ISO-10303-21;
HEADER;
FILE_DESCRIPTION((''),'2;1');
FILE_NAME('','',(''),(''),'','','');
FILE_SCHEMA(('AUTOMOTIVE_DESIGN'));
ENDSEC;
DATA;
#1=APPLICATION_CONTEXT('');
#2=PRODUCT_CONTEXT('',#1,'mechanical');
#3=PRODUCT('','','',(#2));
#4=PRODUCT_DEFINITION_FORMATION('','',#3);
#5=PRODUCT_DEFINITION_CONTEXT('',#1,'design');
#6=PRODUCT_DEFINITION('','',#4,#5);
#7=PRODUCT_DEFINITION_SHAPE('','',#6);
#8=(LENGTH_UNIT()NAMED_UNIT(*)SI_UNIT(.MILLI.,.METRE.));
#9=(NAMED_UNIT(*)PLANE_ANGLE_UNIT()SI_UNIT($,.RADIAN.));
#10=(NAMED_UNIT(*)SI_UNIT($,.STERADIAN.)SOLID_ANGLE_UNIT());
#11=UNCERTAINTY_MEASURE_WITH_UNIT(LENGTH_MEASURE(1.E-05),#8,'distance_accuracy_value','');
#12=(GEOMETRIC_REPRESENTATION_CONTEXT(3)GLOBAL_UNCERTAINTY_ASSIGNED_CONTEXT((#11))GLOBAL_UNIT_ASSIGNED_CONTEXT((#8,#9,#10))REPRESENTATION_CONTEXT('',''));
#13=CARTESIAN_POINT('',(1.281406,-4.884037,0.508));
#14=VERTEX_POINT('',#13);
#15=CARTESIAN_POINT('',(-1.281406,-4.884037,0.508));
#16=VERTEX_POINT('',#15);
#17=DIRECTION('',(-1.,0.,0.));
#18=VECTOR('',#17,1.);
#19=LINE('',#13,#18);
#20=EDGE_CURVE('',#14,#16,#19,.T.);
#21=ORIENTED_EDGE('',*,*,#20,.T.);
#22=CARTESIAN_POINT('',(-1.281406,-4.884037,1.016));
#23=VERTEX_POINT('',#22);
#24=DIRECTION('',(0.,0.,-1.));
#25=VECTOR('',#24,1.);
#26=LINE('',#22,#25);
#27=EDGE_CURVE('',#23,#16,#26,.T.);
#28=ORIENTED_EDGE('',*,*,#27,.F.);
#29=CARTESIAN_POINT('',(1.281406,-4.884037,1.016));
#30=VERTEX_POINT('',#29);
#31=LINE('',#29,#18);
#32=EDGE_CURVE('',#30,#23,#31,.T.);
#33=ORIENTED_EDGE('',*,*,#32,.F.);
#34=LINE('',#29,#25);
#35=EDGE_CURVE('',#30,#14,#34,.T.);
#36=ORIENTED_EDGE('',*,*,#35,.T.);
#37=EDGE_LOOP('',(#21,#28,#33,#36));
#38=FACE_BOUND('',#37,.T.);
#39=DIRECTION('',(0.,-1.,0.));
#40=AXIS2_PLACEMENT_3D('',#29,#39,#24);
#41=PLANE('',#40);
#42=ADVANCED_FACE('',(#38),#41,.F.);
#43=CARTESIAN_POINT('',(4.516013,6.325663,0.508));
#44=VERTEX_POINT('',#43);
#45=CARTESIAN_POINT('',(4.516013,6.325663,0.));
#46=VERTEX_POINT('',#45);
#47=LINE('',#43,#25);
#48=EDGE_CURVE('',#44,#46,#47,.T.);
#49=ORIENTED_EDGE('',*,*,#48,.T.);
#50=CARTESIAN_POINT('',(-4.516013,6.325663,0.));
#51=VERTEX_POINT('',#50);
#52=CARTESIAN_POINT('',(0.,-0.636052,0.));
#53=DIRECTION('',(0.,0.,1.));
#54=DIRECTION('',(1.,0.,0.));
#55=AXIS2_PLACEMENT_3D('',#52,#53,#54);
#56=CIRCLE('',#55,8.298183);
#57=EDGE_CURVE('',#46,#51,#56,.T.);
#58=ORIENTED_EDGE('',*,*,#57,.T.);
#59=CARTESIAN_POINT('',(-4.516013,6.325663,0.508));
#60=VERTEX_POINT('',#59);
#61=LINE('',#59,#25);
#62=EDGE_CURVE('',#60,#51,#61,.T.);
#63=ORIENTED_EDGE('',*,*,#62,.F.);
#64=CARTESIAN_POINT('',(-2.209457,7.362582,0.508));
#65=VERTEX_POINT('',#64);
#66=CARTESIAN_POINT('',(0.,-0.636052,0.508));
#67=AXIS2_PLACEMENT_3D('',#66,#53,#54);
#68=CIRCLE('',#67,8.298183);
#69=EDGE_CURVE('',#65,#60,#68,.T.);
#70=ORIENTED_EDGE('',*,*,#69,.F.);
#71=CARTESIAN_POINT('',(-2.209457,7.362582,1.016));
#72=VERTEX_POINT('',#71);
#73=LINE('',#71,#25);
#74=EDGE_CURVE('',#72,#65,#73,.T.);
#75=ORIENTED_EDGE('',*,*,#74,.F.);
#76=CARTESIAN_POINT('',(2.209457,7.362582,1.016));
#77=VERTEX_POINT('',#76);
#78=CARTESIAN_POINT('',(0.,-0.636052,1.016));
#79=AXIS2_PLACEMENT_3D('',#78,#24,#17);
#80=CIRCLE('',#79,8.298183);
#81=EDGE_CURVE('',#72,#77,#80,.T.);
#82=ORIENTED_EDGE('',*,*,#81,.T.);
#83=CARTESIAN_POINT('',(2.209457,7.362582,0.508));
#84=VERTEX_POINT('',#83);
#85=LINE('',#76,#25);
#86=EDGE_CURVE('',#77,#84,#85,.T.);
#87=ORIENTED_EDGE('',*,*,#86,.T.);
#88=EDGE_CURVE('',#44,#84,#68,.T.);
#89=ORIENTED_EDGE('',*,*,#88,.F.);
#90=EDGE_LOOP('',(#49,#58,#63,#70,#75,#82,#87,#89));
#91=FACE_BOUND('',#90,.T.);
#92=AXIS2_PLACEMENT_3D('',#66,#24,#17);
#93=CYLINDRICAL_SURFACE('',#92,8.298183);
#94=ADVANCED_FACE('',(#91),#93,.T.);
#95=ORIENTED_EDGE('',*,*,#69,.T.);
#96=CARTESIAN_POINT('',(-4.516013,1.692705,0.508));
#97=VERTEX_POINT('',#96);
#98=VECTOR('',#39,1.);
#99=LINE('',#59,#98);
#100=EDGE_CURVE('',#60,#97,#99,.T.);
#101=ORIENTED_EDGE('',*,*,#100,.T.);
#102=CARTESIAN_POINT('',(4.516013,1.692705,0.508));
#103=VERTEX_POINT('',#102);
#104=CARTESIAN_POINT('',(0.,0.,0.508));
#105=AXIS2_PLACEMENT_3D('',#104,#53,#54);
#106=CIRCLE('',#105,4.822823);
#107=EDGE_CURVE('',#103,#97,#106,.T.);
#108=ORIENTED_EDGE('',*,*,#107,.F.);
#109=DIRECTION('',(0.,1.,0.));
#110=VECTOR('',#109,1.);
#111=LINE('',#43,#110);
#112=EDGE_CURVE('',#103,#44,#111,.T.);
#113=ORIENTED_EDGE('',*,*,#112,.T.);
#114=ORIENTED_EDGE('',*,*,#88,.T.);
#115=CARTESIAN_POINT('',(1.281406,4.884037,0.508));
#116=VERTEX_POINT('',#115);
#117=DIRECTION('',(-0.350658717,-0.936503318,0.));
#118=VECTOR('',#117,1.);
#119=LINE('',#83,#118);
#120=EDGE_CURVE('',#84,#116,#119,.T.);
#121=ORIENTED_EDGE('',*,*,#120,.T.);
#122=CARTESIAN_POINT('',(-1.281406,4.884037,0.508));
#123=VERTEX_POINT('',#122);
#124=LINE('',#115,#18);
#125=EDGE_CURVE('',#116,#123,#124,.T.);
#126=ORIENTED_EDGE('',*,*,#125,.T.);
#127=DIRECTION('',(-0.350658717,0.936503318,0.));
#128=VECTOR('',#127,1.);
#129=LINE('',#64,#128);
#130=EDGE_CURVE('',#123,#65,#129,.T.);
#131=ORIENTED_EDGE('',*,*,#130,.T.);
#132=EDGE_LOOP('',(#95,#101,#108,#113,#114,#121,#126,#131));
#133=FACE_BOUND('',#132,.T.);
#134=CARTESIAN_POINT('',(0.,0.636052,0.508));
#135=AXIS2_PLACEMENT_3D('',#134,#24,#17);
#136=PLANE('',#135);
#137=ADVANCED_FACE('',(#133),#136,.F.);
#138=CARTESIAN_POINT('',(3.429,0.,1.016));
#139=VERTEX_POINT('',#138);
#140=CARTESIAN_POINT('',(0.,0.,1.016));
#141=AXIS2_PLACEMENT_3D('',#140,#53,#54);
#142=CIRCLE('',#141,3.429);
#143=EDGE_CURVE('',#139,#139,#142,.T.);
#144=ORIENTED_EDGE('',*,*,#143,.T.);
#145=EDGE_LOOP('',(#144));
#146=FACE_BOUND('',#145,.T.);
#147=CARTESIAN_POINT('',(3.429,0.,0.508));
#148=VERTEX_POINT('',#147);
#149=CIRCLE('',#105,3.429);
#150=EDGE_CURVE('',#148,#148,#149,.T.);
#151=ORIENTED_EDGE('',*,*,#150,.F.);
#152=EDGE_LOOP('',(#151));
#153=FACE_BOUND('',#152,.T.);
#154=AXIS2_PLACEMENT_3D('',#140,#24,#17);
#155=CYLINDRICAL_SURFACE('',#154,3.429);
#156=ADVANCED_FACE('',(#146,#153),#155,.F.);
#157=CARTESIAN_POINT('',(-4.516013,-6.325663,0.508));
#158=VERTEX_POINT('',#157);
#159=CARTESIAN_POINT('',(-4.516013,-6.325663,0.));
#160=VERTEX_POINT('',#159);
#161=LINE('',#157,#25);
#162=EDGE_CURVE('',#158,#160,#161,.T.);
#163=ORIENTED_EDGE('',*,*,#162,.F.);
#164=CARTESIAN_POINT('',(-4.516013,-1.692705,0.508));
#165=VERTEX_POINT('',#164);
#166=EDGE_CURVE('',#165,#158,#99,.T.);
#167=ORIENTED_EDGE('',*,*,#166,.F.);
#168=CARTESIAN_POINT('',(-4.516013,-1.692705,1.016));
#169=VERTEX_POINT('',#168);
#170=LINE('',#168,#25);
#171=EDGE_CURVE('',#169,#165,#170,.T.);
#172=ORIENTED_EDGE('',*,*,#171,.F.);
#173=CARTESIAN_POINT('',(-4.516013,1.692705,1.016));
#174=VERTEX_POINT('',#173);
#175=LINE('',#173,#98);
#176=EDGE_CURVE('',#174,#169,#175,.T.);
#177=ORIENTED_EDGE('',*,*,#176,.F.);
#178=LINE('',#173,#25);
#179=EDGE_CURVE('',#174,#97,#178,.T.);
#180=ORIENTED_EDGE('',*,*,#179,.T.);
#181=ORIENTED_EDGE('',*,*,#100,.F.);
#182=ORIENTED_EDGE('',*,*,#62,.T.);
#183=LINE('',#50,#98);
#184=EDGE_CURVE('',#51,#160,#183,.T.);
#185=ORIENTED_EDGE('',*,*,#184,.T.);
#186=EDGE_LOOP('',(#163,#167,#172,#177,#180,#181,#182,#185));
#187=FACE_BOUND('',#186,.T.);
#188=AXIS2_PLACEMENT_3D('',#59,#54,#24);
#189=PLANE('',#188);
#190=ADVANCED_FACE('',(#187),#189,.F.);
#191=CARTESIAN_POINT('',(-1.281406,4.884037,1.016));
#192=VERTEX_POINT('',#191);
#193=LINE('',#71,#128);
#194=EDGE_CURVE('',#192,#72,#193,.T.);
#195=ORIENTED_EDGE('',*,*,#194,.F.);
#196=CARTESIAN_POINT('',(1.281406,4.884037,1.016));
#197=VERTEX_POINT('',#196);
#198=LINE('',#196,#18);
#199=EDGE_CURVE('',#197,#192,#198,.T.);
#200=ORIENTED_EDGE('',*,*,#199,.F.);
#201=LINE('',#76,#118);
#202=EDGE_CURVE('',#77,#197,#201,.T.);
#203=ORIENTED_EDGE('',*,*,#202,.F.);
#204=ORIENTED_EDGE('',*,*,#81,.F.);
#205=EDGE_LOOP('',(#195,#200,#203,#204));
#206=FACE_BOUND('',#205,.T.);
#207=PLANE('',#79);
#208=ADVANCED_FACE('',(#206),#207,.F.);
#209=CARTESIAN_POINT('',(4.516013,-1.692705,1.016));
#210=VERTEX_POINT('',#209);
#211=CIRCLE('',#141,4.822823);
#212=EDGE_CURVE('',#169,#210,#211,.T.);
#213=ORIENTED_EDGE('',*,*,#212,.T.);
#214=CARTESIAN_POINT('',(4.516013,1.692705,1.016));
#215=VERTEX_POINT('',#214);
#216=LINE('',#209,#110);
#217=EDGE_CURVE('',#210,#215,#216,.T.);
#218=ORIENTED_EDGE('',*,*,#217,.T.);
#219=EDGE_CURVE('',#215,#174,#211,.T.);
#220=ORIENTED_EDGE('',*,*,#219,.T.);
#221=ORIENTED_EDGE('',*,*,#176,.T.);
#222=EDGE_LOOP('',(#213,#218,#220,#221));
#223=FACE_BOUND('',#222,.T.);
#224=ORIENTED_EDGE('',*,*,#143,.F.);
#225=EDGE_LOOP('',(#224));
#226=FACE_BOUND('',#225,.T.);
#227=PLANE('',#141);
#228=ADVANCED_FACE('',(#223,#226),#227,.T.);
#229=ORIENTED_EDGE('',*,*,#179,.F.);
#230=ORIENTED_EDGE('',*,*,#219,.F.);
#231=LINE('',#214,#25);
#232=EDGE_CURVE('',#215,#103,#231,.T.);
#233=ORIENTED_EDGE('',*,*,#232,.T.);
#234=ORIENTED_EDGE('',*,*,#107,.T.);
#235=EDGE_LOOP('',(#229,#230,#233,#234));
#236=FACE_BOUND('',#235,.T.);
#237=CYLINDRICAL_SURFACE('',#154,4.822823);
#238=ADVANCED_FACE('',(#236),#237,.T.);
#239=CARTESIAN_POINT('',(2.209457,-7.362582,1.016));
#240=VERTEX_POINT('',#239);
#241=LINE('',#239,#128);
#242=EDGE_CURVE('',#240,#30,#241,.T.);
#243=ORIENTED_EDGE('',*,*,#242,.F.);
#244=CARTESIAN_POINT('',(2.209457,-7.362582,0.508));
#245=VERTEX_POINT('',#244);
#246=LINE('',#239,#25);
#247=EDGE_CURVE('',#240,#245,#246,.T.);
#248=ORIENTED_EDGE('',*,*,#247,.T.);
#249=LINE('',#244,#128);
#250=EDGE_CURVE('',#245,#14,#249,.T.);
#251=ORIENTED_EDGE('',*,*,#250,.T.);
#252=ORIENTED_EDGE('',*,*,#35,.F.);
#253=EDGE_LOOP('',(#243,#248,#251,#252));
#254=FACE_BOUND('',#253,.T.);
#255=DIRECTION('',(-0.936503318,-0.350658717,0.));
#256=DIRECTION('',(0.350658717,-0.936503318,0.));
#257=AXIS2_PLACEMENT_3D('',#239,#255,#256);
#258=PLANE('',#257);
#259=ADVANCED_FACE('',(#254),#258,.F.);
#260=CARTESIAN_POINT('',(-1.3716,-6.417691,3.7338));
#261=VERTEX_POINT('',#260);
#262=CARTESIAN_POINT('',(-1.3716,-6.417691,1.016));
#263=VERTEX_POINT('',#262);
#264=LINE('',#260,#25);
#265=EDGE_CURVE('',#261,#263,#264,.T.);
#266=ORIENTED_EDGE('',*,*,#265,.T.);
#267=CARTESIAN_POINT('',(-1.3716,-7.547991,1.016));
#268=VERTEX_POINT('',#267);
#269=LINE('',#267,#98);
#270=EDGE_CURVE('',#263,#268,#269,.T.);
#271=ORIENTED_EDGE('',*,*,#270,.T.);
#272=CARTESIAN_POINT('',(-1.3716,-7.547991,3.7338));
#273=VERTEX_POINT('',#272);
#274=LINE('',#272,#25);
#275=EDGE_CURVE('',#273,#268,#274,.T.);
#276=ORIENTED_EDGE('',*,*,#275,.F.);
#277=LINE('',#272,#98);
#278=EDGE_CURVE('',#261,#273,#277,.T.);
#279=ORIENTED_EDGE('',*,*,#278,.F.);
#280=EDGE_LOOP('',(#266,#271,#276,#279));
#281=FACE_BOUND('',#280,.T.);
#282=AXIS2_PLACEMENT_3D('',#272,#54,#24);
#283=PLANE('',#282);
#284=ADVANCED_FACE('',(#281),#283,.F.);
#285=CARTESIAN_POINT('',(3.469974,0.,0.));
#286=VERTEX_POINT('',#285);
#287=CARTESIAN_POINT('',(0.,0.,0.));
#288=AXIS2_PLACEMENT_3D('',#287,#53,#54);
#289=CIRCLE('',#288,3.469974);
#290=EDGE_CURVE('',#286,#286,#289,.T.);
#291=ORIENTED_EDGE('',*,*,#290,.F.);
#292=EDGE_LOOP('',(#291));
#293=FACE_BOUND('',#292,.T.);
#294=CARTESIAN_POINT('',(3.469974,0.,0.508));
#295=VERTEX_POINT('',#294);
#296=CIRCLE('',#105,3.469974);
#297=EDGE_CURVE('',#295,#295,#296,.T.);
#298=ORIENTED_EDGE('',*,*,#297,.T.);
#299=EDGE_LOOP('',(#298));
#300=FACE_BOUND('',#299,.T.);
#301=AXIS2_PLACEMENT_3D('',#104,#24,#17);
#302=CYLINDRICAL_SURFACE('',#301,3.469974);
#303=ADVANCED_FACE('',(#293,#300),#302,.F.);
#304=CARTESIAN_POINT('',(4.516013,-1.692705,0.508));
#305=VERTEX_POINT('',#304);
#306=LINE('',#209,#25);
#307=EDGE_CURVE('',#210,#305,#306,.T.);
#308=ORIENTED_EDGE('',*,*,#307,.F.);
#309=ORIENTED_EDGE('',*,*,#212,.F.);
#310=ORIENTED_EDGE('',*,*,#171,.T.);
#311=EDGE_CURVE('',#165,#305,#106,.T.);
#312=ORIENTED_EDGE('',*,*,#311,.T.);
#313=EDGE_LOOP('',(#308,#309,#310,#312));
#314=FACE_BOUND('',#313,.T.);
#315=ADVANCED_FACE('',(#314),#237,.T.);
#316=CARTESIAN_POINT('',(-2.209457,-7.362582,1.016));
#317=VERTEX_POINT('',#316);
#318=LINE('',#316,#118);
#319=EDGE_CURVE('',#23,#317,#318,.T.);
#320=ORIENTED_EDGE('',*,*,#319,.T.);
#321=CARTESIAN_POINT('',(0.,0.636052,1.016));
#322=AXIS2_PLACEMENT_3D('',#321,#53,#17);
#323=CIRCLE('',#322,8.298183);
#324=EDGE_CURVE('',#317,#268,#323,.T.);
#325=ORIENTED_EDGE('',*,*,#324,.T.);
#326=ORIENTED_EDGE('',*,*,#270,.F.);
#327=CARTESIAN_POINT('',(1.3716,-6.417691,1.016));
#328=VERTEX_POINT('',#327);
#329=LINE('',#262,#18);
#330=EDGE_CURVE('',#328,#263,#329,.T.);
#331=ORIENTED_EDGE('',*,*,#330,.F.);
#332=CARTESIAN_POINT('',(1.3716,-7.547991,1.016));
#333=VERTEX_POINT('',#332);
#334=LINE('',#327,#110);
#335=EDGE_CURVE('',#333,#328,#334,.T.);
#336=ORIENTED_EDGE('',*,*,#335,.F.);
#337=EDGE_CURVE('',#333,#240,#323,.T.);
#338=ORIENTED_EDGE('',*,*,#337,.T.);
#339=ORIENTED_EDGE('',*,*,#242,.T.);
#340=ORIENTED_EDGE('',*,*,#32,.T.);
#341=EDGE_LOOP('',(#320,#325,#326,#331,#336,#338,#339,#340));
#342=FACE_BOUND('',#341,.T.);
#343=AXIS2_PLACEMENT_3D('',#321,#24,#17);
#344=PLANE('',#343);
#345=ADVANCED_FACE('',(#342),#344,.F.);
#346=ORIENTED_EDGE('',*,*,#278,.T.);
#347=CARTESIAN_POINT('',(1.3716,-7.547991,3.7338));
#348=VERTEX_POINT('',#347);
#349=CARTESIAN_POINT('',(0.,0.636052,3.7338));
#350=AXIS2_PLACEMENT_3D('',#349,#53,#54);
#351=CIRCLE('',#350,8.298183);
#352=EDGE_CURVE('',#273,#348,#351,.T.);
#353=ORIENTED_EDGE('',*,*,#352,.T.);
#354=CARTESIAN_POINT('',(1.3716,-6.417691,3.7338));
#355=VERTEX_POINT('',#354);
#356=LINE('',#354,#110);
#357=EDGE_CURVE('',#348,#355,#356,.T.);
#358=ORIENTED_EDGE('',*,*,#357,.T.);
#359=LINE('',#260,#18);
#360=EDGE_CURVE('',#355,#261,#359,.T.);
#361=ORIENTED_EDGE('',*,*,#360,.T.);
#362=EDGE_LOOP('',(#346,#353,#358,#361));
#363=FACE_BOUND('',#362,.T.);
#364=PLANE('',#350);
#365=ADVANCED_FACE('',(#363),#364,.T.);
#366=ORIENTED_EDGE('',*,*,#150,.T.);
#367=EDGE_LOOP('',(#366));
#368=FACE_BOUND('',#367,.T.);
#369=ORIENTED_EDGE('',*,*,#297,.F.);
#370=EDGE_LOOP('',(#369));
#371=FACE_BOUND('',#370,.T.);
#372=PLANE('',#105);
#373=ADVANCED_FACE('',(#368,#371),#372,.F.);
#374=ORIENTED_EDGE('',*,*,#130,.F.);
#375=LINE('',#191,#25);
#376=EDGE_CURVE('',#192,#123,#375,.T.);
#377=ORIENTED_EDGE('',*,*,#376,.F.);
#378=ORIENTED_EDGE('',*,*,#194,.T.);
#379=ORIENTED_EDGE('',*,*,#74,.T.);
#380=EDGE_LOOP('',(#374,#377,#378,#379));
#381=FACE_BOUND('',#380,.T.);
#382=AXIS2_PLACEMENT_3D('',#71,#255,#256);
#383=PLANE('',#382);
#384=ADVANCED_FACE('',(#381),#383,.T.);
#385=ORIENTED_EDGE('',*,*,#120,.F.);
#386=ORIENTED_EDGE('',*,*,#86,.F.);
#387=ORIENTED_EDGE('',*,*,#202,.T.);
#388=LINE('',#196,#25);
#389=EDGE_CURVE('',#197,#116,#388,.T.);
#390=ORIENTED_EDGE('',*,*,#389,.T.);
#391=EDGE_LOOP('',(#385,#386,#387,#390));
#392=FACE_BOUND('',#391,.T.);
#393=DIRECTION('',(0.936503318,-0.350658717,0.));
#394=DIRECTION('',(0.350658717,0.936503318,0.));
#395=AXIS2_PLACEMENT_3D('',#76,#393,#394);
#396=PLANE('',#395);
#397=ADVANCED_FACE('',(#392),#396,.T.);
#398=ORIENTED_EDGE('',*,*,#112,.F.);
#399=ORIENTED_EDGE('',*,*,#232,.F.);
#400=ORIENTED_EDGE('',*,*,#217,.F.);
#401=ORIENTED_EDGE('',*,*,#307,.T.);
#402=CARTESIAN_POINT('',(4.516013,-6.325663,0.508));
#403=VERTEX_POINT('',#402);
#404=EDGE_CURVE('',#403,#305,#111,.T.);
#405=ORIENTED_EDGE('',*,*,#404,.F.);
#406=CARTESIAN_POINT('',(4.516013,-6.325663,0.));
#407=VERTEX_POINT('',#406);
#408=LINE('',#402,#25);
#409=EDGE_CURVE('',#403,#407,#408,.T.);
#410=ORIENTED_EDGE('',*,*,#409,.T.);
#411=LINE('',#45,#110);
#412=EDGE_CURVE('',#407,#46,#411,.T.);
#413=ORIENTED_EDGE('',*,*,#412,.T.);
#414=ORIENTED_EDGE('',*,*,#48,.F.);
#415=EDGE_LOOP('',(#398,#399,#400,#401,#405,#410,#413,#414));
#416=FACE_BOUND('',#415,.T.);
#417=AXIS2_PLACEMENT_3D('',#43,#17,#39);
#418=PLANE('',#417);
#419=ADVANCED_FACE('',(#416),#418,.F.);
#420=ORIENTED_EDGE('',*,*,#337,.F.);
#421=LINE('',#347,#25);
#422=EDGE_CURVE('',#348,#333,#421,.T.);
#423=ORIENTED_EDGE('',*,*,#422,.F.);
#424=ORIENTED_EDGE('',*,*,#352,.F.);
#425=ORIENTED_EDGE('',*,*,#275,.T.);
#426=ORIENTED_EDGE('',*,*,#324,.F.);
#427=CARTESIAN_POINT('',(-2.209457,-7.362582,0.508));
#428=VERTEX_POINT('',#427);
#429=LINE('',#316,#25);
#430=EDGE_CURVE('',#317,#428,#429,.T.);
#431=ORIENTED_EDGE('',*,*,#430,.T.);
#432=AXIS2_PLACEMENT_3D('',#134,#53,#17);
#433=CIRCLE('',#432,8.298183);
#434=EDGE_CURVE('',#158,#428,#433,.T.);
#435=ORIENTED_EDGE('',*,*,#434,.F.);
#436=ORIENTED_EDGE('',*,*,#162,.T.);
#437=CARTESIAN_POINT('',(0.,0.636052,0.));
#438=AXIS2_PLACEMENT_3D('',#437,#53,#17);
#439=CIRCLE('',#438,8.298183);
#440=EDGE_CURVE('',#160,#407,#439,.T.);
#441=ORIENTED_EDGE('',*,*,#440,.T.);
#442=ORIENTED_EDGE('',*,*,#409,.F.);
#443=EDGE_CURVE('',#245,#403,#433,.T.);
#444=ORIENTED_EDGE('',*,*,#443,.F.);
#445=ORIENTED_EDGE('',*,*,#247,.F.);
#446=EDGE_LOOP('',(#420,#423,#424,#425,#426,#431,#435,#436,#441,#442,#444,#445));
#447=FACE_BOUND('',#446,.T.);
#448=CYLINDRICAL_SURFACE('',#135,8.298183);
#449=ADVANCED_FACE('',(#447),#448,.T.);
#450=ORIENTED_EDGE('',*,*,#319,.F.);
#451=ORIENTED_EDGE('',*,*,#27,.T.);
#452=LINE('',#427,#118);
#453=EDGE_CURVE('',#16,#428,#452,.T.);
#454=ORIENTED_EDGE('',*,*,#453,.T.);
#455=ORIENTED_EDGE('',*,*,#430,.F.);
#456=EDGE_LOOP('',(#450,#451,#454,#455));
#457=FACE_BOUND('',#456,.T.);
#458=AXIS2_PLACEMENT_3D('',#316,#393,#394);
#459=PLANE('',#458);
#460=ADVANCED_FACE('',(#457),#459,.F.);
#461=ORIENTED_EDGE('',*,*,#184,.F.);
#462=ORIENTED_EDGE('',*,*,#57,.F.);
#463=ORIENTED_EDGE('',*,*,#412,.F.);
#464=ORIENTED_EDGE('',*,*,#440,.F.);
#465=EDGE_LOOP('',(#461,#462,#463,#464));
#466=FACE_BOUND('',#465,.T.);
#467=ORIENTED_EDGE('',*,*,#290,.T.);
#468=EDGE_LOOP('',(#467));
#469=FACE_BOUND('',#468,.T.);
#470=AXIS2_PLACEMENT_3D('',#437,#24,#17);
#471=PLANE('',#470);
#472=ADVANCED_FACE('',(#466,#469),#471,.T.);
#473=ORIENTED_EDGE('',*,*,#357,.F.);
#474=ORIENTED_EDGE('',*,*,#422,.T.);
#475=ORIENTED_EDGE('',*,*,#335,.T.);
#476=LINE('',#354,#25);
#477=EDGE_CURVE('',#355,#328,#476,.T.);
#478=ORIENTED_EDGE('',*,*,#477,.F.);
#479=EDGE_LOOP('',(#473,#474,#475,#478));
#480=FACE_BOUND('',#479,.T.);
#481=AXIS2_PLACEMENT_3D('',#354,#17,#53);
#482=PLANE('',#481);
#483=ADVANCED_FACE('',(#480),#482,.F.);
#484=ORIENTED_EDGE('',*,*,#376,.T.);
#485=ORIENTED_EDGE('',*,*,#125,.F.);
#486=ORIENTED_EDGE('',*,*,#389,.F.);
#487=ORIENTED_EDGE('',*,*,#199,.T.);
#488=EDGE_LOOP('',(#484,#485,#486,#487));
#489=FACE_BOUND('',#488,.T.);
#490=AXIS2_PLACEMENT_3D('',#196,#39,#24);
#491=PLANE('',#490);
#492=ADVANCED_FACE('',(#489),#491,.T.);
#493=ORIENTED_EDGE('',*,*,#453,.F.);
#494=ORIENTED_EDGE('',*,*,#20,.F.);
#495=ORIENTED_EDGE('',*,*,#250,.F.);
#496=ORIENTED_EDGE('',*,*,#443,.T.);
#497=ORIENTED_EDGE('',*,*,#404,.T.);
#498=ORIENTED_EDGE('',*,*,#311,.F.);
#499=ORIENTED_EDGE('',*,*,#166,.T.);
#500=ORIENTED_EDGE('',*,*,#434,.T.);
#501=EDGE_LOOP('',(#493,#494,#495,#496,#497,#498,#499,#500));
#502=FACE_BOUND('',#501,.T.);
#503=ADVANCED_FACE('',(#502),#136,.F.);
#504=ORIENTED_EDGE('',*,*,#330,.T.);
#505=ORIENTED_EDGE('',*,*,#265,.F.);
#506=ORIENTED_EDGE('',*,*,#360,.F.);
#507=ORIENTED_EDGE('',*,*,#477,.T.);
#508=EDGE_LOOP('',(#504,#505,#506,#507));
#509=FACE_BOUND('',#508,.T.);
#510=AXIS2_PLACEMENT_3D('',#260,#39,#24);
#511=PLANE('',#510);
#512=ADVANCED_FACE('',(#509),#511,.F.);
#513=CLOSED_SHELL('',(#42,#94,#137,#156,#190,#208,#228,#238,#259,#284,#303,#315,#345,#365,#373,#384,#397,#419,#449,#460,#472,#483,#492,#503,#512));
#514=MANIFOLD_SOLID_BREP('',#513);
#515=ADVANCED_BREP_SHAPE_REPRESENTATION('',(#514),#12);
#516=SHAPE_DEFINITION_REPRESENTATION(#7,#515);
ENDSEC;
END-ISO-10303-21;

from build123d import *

# Parameters (mm, degrees)
SKETCH1_R           = 3.469974147
BOSS_EXTRUDE1_DEPTH = 0.508
BOSS_EXTRUDE2_DEPTH = 0.508
BOSS_EXTRUDE3_DEPTH = 2.7178
SKETCH4_R           = 3.429
BOSS_EXTRUDE4_DEPTH = 0.508


with BuildPart() as part:
    # Sketch1 → Boss-Extrude1 (new body)
    with BuildSketch(Plane.XY):
        with BuildLine():
            Line((-4.516012823, 6.325662964), (-4.516012823, -6.325662964))
            ThreePointArc((-4.516012823, -6.325662964), (0, -7.662131341), (4.516012823, -6.325662964))
            Line((4.516012823, -6.325662964), (4.516012823, 6.325662964))
            ThreePointArc((4.516012823, 6.325662964), (0, 7.662131341), (-4.516012823, 6.325662964))
        make_face()
        Circle(SKETCH1_R, mode=Mode.SUBTRACT)
    extrude(amount=BOSS_EXTRUDE1_DEPTH)

    # Sketch2 → Boss-Extrude2 (add)
    with BuildSketch(Plane.XY.offset(0.508)):
        with BuildLine():
            Line((2.209457086, -7.362582022), (1.281405607, -4.884037371))
            Line((1.281405607, -4.884037371), (-1.281405607, -4.884037371))
            Line((-1.281405607, -4.884037371), (-2.209457086, -7.362582022))
            ThreePointArc((-2.209457086, -7.362582022), (0, -7.662131341), (2.209457086, -7.362582022))
        make_face()
    boss_extrude2 = extrude(amount=BOSS_EXTRUDE2_DEPTH)

    # Sketch3 → Boss-Extrude3 (add)
    with BuildSketch(Plane.XY.offset(1.016)):
        with BuildLine():
            Line((-1.3716, -7.547991025), (-1.3716, -6.417691025))
            Line((-1.3716, -6.417691025), (1.3716, -6.417691025))
            Line((1.3716, -6.417691025), (1.3716, -7.547991025))
            ThreePointArc((1.3716, -7.547991025), (0, -7.662131341), (-1.3716, -7.547991025))
        make_face()
    extrude(amount=BOSS_EXTRUDE3_DEPTH)

    # Sketch4 → Boss-Extrude4 (add)
    with BuildSketch(Plane.XY.offset(0.508)):
        with BuildLine():
            Line((4.516012823, -1.692704651), (4.516012823, 1.692704651))
            ThreePointArc((4.516012823, 1.692704651), (0, 4.822822913), (-4.516012823, 1.692704651))
            Line((-4.516012823, 1.692704651), (-4.516012823, -1.692704651))
            ThreePointArc((-4.516012823, -1.692704651), (0, -4.822822913), (4.516012823, -1.692704651))
        make_face()
        Circle(SKETCH4_R, mode=Mode.SUBTRACT)
    extrude(amount=BOSS_EXTRUDE4_DEPTH)

    # Mirror1: Boss-Extrude2 across plane
    add(boss_extrude2.mirror(Plane.ZX))


solid = part.part
